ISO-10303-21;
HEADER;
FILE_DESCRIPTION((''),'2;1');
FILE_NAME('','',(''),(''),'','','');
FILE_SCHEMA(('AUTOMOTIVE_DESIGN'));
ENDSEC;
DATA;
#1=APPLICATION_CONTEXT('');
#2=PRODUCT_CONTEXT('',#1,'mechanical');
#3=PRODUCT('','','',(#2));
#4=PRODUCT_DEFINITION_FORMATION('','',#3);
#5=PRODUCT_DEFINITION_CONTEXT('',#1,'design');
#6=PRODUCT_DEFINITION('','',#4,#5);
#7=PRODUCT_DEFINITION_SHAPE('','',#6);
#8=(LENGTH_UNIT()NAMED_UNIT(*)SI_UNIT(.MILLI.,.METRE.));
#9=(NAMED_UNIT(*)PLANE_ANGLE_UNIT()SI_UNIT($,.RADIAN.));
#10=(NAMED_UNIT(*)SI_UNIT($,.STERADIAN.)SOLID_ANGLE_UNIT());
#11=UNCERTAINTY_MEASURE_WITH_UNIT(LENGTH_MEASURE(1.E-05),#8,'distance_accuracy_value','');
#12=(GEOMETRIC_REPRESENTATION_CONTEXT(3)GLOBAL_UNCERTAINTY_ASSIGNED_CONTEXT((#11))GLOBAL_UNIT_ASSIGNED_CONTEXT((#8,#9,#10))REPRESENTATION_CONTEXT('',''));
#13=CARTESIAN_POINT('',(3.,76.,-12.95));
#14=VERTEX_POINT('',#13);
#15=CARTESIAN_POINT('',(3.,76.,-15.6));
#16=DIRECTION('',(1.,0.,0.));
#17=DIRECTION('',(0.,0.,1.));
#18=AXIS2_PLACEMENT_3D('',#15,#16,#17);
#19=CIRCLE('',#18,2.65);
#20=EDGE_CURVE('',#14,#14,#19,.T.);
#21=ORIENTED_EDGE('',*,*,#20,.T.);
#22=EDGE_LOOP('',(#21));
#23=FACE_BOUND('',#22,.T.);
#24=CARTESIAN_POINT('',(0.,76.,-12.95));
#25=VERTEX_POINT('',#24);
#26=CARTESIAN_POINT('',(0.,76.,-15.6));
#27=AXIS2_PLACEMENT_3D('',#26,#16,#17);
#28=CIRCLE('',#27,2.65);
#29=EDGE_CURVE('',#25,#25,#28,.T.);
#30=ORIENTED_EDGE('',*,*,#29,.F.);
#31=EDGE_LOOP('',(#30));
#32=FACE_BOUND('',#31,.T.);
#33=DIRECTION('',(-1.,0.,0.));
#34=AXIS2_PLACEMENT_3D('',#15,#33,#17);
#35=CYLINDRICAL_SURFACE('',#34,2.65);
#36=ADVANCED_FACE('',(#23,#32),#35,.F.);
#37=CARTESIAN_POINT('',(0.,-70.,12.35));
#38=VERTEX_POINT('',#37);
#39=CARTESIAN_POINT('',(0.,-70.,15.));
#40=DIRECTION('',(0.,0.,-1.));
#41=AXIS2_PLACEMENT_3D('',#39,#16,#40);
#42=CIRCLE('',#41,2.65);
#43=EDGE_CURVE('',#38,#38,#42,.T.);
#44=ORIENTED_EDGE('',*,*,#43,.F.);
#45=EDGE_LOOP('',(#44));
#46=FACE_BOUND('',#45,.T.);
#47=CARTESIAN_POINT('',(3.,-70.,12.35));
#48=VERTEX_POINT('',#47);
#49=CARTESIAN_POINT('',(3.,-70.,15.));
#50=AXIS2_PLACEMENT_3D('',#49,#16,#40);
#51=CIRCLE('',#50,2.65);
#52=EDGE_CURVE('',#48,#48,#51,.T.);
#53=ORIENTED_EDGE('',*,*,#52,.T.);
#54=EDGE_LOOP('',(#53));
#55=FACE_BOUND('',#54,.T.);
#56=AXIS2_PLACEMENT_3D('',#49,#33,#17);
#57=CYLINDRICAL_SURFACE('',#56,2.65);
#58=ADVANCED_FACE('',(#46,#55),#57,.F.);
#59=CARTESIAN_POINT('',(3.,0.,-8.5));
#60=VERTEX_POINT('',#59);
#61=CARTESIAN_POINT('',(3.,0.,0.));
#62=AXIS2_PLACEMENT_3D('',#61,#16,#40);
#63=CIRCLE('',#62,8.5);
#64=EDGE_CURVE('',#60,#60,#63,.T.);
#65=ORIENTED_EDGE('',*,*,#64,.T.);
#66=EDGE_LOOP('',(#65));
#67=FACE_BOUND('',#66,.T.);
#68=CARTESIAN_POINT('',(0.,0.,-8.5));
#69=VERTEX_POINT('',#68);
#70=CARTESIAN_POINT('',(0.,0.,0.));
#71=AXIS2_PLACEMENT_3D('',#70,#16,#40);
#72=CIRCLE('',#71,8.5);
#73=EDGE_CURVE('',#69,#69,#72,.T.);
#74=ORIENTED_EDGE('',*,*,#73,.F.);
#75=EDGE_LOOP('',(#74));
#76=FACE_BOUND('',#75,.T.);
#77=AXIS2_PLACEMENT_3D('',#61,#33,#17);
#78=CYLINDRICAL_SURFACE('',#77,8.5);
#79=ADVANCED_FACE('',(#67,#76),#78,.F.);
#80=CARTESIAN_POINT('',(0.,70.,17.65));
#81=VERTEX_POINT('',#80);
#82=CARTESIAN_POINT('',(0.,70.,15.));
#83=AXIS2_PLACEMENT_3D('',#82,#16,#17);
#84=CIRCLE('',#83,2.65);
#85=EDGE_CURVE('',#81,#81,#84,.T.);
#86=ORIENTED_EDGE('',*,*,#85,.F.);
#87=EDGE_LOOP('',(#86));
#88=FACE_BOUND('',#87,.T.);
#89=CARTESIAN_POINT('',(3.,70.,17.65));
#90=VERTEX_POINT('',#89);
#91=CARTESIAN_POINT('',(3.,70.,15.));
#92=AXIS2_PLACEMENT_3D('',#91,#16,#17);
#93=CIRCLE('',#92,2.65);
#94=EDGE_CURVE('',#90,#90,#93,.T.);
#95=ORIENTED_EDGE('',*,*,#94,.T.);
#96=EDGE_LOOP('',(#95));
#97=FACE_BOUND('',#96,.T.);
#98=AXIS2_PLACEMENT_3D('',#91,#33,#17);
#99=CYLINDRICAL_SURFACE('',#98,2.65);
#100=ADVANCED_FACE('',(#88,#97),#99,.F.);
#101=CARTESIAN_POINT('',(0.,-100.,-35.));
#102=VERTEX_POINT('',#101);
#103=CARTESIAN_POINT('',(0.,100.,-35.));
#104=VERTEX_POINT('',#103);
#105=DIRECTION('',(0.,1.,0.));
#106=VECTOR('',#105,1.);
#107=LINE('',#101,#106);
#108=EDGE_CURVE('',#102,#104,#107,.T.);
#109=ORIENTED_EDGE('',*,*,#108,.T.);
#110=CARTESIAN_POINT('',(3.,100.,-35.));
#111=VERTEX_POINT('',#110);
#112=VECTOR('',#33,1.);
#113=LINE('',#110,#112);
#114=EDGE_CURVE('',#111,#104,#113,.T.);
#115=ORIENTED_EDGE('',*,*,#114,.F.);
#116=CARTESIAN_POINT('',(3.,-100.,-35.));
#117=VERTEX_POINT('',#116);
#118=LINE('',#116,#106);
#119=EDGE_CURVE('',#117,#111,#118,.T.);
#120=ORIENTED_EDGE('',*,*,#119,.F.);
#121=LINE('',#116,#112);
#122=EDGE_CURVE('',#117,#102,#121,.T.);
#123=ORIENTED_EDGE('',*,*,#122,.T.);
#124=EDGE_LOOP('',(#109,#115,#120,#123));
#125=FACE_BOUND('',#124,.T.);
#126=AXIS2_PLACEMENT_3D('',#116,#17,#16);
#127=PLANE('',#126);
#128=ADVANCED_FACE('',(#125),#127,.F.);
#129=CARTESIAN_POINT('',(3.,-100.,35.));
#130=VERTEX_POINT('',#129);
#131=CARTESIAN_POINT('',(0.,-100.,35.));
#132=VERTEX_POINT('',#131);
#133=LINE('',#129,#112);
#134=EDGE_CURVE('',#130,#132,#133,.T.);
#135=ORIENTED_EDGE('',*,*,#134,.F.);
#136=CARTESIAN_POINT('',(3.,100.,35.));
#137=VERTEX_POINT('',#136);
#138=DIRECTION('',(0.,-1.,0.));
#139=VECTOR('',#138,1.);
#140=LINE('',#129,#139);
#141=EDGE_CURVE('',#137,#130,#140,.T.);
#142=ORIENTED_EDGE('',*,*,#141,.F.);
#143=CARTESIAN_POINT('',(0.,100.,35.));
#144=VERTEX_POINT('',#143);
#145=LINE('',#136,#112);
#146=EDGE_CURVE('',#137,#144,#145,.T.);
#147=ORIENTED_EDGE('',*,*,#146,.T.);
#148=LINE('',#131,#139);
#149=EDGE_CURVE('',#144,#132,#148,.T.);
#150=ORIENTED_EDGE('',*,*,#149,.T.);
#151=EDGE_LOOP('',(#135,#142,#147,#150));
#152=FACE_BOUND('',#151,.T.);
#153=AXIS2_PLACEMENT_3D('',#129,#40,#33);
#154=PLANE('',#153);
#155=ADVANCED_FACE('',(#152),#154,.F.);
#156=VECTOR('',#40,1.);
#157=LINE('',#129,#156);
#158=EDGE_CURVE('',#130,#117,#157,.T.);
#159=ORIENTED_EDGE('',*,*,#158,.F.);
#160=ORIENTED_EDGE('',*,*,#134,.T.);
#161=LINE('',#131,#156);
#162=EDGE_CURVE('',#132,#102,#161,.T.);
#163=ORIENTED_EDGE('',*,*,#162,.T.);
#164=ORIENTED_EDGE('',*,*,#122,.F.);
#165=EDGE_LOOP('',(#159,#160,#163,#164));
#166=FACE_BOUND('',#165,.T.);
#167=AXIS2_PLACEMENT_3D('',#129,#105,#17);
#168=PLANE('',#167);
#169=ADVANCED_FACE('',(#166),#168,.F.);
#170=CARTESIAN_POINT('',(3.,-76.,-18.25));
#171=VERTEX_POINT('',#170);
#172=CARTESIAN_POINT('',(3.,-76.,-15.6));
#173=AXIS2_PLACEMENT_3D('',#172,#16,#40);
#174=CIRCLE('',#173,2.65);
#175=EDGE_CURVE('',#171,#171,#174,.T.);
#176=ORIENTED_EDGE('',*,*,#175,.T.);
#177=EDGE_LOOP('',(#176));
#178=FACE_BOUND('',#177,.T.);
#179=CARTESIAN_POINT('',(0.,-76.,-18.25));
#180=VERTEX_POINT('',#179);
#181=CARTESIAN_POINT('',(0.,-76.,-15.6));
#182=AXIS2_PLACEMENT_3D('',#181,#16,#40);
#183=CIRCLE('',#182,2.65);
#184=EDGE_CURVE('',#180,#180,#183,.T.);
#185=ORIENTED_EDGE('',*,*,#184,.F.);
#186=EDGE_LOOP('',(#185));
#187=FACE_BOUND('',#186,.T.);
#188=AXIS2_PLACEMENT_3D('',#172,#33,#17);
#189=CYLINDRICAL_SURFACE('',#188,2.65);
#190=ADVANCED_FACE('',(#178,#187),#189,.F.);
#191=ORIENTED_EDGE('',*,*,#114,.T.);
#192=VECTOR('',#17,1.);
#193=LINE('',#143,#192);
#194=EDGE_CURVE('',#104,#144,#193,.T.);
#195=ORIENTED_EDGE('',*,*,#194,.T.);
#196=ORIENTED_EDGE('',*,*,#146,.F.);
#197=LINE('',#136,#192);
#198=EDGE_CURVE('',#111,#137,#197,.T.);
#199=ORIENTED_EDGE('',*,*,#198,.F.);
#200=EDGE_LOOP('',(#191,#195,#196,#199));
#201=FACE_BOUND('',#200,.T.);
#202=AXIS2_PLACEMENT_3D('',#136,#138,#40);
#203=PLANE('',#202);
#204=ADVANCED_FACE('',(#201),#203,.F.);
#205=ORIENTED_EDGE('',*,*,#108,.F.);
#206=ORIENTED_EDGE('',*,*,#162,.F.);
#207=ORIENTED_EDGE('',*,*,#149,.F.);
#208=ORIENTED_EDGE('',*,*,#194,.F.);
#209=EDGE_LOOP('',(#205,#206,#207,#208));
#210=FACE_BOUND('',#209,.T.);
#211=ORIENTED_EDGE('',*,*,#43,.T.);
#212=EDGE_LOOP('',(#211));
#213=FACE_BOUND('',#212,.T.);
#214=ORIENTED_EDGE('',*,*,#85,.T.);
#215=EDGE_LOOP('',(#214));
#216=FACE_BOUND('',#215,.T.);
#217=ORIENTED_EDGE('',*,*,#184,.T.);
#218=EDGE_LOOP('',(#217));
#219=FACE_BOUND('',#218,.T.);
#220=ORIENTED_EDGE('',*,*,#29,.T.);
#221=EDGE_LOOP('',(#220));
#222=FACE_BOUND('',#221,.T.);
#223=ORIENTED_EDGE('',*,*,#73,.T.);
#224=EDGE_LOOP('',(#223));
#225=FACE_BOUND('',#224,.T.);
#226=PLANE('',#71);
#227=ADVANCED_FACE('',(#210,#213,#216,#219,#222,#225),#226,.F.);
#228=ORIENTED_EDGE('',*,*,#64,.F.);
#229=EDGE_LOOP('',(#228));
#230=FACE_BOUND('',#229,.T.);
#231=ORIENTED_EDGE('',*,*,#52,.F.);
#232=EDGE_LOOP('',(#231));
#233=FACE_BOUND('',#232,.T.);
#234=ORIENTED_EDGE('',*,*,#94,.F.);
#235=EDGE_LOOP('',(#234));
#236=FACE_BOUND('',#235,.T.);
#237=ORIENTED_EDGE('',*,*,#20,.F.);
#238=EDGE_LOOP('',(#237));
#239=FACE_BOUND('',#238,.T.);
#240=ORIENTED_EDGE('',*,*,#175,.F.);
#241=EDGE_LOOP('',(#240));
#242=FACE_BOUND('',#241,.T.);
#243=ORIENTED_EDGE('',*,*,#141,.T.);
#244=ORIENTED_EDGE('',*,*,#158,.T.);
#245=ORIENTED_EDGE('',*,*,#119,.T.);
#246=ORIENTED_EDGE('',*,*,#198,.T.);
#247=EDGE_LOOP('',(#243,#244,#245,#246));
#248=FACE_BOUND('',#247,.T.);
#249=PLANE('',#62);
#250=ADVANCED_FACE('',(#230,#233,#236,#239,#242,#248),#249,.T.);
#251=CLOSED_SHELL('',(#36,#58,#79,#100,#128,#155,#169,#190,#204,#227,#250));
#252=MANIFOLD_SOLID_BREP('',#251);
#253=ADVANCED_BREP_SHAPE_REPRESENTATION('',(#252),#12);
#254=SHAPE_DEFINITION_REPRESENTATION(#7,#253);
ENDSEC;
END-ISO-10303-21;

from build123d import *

# Parameters (mm, degrees)
SKETCH1_W           = 200
SKETCH1_H           = 70
SKETCH1_R           = 2.65
SKETCH1_R_2         = 8.5
BOSS_EXTRUDE1_DEPTH = 3


with BuildPart() as part:
    # Sketch1 → Boss-Extrude1 (new body)
    with BuildSketch(Plane.YZ):
        Rectangle(SKETCH1_W, SKETCH1_H)
        with Locations(Location((-76, -15.6, 0), (0, 0, 270))):
            Circle(SKETCH1_R, mode=Mode.SUBTRACT)
        with Locations(Location((76, -15.6, 0), (0, 0, 90))):
            Circle(SKETCH1_R, mode=Mode.SUBTRACT)
        with Locations(Location((-70, 15, 0), (0, 0, 270))):
            Circle(SKETCH1_R, mode=Mode.SUBTRACT)
        with Locations(Location((70, 15, 0), (0, 0, 90))):
            Circle(SKETCH1_R, mode=Mode.SUBTRACT)
        with Locations(Location((0, 0, 0), (0, 0, 270))):
            Circle(SKETCH1_R_2, mode=Mode.SUBTRACT)
    extrude(amount=BOSS_EXTRUDE1_DEPTH)


solid = part.part
